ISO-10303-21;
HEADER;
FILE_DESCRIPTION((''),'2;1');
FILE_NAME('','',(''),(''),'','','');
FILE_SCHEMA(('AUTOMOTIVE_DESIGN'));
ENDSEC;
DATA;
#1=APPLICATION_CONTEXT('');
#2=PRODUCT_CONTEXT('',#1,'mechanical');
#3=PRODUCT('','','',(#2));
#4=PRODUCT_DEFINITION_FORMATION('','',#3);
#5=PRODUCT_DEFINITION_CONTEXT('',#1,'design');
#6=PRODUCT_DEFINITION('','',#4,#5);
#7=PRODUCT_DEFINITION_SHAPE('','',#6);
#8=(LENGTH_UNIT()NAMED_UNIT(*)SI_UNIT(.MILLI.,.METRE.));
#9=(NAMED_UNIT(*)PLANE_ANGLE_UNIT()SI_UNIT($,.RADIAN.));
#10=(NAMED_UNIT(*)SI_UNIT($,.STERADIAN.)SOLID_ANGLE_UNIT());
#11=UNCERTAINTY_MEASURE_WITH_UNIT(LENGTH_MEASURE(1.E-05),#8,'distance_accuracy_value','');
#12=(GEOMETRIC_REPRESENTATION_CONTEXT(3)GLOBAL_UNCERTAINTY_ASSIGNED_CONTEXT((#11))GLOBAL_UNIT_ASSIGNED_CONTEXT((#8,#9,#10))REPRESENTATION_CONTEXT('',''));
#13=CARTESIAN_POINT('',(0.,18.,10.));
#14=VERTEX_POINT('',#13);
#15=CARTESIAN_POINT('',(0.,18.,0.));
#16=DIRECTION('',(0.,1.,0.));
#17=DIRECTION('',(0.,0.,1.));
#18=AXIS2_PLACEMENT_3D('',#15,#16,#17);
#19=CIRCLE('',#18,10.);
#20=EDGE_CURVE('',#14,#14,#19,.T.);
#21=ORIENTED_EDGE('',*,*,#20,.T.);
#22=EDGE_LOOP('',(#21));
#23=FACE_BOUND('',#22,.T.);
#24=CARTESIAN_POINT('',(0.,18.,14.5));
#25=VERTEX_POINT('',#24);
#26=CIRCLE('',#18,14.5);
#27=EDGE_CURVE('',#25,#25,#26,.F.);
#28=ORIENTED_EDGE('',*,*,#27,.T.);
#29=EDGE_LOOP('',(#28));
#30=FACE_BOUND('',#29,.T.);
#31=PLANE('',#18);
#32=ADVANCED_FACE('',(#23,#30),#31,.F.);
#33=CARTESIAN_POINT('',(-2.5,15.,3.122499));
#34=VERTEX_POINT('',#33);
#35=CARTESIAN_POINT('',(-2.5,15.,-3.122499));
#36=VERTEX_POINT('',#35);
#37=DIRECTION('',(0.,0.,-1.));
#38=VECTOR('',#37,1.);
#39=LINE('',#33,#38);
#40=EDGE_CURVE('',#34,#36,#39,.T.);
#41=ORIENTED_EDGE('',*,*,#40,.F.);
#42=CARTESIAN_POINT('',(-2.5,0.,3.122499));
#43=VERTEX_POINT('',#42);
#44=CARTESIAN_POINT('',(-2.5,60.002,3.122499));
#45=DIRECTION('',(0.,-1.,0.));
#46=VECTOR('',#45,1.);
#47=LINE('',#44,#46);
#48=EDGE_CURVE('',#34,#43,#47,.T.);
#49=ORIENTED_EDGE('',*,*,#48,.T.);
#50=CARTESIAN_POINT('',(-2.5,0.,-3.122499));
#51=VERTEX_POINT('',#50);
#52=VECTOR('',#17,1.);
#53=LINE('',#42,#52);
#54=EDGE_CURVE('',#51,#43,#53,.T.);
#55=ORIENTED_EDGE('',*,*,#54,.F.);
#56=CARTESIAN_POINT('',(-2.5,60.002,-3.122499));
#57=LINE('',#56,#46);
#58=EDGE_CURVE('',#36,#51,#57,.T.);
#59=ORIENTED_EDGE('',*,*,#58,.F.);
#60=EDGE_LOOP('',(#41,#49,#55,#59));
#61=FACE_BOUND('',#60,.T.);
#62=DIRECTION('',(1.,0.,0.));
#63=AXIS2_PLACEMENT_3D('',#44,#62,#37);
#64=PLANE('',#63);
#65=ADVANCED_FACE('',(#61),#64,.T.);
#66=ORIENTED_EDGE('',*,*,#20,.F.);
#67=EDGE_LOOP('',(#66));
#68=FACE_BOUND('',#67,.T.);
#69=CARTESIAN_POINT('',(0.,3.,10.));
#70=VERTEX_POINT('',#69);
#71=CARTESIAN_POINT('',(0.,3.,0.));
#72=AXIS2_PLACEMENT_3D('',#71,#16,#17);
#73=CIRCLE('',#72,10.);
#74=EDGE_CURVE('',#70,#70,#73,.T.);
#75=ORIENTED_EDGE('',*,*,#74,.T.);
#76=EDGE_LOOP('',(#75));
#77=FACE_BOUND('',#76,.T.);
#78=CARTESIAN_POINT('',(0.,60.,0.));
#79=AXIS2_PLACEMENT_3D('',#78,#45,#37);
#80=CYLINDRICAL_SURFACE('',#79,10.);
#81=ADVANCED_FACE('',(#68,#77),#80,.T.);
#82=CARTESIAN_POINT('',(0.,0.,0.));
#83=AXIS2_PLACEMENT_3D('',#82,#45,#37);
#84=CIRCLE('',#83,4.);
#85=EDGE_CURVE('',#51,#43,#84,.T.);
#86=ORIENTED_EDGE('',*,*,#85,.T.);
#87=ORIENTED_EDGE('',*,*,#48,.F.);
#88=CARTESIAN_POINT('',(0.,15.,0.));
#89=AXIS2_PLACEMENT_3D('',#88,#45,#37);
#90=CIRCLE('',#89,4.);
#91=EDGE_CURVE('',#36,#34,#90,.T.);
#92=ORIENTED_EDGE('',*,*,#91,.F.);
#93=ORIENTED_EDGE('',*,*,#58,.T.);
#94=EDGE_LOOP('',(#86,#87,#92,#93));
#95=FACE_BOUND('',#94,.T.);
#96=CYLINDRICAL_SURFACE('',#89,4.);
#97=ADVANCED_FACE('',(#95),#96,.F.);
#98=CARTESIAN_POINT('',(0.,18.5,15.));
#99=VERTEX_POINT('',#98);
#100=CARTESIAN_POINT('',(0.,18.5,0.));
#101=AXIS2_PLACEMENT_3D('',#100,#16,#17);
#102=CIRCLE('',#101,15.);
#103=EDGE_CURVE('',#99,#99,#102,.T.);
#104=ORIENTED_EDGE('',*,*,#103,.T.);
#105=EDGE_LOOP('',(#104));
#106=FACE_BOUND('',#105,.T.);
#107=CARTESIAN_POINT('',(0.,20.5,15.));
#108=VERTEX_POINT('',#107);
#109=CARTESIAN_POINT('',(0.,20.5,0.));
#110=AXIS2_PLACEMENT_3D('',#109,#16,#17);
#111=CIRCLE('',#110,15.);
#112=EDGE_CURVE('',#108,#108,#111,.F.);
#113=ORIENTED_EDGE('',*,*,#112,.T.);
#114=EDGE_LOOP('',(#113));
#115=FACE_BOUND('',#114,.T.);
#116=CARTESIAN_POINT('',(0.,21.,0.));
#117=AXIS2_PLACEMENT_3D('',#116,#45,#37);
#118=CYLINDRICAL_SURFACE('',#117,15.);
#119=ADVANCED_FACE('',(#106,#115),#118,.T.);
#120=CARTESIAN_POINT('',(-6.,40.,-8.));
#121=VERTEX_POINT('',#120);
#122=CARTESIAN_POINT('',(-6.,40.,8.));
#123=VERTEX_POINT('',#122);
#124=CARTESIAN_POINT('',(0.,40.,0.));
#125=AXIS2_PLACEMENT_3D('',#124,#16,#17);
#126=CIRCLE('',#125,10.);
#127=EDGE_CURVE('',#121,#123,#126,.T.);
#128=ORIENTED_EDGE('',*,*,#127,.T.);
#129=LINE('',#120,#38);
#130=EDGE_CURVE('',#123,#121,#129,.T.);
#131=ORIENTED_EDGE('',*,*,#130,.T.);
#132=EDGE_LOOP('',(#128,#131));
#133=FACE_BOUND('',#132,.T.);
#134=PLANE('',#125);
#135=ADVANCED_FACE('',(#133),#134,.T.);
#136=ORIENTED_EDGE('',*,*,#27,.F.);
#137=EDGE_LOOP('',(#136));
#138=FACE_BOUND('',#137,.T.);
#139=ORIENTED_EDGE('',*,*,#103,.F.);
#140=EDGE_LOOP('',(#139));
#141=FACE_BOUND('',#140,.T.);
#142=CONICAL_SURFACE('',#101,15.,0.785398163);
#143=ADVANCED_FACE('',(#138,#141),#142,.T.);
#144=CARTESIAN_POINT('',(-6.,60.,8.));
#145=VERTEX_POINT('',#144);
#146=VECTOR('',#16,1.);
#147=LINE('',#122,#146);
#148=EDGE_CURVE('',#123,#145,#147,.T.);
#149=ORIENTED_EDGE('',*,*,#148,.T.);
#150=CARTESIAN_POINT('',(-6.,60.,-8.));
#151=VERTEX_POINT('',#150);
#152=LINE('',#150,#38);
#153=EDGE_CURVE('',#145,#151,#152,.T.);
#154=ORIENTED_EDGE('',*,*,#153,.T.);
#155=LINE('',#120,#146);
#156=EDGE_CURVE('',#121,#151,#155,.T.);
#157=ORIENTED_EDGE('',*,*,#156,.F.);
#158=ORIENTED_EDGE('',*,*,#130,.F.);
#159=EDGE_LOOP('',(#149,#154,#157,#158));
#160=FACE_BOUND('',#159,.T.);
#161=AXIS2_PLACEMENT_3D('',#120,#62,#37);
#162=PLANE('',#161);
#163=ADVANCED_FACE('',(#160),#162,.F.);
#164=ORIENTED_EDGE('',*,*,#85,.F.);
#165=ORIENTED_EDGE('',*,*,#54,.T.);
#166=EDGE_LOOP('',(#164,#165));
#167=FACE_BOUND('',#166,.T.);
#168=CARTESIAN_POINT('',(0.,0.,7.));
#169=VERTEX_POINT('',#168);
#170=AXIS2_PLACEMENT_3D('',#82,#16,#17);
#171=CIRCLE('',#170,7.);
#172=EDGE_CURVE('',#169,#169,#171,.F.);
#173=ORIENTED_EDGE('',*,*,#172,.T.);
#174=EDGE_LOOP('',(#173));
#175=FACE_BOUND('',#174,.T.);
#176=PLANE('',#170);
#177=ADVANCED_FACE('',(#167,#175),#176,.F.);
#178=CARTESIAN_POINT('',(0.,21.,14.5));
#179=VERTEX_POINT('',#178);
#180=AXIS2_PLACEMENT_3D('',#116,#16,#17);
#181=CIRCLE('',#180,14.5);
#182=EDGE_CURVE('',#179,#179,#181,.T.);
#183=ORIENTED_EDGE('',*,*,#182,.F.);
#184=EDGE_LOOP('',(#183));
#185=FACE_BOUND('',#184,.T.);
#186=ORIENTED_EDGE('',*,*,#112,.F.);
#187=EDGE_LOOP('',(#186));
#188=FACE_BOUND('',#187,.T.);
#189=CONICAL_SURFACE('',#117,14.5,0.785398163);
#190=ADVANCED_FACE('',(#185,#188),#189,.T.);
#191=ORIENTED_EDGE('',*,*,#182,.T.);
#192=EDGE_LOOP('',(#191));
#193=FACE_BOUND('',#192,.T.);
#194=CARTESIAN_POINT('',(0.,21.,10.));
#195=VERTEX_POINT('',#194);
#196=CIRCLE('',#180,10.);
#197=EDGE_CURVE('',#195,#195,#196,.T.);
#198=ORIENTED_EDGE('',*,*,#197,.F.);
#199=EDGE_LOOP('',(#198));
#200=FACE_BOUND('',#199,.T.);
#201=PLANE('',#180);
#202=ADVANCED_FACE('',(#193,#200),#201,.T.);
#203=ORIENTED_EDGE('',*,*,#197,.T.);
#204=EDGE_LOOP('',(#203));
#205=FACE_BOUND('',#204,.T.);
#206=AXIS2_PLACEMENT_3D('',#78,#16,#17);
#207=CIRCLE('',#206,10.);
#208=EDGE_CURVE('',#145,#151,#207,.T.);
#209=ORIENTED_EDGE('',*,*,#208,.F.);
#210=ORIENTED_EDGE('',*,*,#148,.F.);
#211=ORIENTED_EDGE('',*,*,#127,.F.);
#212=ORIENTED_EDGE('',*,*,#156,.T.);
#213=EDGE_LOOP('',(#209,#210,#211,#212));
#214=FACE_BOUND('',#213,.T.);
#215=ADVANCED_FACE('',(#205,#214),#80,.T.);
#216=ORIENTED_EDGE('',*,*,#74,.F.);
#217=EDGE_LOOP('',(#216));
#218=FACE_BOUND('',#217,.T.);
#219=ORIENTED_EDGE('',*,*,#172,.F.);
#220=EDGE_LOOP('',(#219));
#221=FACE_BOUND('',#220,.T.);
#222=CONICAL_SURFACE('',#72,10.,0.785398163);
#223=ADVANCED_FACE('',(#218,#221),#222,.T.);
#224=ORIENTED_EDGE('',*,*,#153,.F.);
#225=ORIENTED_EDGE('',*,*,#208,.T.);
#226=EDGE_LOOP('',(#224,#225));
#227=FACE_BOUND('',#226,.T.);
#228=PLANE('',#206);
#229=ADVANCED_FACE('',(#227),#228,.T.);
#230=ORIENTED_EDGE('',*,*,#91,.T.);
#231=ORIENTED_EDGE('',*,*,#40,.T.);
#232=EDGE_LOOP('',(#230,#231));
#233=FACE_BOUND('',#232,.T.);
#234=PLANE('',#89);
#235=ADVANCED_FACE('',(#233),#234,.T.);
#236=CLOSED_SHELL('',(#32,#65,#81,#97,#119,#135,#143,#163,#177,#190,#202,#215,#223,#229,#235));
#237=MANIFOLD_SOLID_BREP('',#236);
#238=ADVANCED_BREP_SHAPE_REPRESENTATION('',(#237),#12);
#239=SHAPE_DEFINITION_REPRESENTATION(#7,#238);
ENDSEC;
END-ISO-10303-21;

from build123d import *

# Parameters (mm, degrees)
SKETCH1_R           = 10
BOSS_EXTRUDE1_DEPTH = 60
SKETCH2_R           = 4
CUT_EXTRUDE1_DEPTH  = 15
BOSS_EXTRUDE2_REACH = 62
CUT_EXTRUDE2_DEPTH  = 20
CHAMFER3_SIZE       = 3
BOSS_EXTRUDE3_START = 18
SKETCH5_R           = 15
BOSS_EXTRUDE3_DEPTH = 3
CHAMFER4_SIZE       = 0.5


with BuildPart() as part:
    # Sketch1 → Boss-Extrude1 (new body)
    with BuildSketch(Plane(origin=(0, 0, 0), x_dir=(1, 0, 0), z_dir=(0, 1, 0))):
        Circle(SKETCH1_R)
    extrude(amount=BOSS_EXTRUDE1_DEPTH)

    # Sketch2 → Cut-Extrude1 (cut)
    with BuildSketch(Plane.XZ):
        Circle(SKETCH2_R)
    extrude(amount=-CUT_EXTRUDE1_DEPTH, mode=Mode.SUBTRACT)

    # Sketch3 → Boss-Extrude2 (add, up to next)
    with BuildSketch(Plane.XZ, mode=Mode.PRIVATE) as boss_extrude2_sk1:
        with BuildLine():
            Line((-2.5, 3.122498999), (-2.5, -3.122498999))
            ThreePointArc((-2.5, -3.122498999), (-4, 0), (-2.5, 3.122498999))
        make_face()
    boss_extrude2_tool1 = extrude(boss_extrude2_sk1.sketch, amount=-BOSS_EXTRUDE2_REACH, mode=Mode.PRIVATE) - part.part
    add(boss_extrude2_tool1.solids().sort_by_distance((-3.110827, 0, 0))[0])

    # Sketch4 → Cut-Extrude2 (cut)
    with BuildSketch(Plane(origin=(0, 60, 0), x_dir=(1, 0, 0), z_dir=(0, 1, 0))):
        with BuildLine():
            Line((-6, 8), (-6, -8))
            ThreePointArc((-6, -8), (-10, 0), (-6, 8))
        make_face()
    extrude(amount=-CUT_EXTRUDE2_DEPTH, mode=Mode.SUBTRACT)

    # Chamfer3
    chamfer3_edges = [part.edges().sort_by_distance(p)[0] for p in [
        (-10, 0, 0),
    ]]
    chamfer(chamfer3_edges, length=CHAMFER3_SIZE)

    # Sketch5 → Boss-Extrude3 (add)
    with BuildSketch(Plane(origin=(0, 0, 0), x_dir=(1, 0, 0), z_dir=(0, 1, 0)).offset(BOSS_EXTRUDE3_START)):
        Circle(SKETCH5_R)
    extrude(amount=BOSS_EXTRUDE3_DEPTH)

    # Chamfer4
    chamfer4_edges = [part.edges().sort_by_distance(p)[0] for p in [
        (-15, 18, 0),
        (-15, 21, 0),
    ]]
    chamfer(chamfer4_edges, length=CHAMFER4_SIZE)


solid = part.part
